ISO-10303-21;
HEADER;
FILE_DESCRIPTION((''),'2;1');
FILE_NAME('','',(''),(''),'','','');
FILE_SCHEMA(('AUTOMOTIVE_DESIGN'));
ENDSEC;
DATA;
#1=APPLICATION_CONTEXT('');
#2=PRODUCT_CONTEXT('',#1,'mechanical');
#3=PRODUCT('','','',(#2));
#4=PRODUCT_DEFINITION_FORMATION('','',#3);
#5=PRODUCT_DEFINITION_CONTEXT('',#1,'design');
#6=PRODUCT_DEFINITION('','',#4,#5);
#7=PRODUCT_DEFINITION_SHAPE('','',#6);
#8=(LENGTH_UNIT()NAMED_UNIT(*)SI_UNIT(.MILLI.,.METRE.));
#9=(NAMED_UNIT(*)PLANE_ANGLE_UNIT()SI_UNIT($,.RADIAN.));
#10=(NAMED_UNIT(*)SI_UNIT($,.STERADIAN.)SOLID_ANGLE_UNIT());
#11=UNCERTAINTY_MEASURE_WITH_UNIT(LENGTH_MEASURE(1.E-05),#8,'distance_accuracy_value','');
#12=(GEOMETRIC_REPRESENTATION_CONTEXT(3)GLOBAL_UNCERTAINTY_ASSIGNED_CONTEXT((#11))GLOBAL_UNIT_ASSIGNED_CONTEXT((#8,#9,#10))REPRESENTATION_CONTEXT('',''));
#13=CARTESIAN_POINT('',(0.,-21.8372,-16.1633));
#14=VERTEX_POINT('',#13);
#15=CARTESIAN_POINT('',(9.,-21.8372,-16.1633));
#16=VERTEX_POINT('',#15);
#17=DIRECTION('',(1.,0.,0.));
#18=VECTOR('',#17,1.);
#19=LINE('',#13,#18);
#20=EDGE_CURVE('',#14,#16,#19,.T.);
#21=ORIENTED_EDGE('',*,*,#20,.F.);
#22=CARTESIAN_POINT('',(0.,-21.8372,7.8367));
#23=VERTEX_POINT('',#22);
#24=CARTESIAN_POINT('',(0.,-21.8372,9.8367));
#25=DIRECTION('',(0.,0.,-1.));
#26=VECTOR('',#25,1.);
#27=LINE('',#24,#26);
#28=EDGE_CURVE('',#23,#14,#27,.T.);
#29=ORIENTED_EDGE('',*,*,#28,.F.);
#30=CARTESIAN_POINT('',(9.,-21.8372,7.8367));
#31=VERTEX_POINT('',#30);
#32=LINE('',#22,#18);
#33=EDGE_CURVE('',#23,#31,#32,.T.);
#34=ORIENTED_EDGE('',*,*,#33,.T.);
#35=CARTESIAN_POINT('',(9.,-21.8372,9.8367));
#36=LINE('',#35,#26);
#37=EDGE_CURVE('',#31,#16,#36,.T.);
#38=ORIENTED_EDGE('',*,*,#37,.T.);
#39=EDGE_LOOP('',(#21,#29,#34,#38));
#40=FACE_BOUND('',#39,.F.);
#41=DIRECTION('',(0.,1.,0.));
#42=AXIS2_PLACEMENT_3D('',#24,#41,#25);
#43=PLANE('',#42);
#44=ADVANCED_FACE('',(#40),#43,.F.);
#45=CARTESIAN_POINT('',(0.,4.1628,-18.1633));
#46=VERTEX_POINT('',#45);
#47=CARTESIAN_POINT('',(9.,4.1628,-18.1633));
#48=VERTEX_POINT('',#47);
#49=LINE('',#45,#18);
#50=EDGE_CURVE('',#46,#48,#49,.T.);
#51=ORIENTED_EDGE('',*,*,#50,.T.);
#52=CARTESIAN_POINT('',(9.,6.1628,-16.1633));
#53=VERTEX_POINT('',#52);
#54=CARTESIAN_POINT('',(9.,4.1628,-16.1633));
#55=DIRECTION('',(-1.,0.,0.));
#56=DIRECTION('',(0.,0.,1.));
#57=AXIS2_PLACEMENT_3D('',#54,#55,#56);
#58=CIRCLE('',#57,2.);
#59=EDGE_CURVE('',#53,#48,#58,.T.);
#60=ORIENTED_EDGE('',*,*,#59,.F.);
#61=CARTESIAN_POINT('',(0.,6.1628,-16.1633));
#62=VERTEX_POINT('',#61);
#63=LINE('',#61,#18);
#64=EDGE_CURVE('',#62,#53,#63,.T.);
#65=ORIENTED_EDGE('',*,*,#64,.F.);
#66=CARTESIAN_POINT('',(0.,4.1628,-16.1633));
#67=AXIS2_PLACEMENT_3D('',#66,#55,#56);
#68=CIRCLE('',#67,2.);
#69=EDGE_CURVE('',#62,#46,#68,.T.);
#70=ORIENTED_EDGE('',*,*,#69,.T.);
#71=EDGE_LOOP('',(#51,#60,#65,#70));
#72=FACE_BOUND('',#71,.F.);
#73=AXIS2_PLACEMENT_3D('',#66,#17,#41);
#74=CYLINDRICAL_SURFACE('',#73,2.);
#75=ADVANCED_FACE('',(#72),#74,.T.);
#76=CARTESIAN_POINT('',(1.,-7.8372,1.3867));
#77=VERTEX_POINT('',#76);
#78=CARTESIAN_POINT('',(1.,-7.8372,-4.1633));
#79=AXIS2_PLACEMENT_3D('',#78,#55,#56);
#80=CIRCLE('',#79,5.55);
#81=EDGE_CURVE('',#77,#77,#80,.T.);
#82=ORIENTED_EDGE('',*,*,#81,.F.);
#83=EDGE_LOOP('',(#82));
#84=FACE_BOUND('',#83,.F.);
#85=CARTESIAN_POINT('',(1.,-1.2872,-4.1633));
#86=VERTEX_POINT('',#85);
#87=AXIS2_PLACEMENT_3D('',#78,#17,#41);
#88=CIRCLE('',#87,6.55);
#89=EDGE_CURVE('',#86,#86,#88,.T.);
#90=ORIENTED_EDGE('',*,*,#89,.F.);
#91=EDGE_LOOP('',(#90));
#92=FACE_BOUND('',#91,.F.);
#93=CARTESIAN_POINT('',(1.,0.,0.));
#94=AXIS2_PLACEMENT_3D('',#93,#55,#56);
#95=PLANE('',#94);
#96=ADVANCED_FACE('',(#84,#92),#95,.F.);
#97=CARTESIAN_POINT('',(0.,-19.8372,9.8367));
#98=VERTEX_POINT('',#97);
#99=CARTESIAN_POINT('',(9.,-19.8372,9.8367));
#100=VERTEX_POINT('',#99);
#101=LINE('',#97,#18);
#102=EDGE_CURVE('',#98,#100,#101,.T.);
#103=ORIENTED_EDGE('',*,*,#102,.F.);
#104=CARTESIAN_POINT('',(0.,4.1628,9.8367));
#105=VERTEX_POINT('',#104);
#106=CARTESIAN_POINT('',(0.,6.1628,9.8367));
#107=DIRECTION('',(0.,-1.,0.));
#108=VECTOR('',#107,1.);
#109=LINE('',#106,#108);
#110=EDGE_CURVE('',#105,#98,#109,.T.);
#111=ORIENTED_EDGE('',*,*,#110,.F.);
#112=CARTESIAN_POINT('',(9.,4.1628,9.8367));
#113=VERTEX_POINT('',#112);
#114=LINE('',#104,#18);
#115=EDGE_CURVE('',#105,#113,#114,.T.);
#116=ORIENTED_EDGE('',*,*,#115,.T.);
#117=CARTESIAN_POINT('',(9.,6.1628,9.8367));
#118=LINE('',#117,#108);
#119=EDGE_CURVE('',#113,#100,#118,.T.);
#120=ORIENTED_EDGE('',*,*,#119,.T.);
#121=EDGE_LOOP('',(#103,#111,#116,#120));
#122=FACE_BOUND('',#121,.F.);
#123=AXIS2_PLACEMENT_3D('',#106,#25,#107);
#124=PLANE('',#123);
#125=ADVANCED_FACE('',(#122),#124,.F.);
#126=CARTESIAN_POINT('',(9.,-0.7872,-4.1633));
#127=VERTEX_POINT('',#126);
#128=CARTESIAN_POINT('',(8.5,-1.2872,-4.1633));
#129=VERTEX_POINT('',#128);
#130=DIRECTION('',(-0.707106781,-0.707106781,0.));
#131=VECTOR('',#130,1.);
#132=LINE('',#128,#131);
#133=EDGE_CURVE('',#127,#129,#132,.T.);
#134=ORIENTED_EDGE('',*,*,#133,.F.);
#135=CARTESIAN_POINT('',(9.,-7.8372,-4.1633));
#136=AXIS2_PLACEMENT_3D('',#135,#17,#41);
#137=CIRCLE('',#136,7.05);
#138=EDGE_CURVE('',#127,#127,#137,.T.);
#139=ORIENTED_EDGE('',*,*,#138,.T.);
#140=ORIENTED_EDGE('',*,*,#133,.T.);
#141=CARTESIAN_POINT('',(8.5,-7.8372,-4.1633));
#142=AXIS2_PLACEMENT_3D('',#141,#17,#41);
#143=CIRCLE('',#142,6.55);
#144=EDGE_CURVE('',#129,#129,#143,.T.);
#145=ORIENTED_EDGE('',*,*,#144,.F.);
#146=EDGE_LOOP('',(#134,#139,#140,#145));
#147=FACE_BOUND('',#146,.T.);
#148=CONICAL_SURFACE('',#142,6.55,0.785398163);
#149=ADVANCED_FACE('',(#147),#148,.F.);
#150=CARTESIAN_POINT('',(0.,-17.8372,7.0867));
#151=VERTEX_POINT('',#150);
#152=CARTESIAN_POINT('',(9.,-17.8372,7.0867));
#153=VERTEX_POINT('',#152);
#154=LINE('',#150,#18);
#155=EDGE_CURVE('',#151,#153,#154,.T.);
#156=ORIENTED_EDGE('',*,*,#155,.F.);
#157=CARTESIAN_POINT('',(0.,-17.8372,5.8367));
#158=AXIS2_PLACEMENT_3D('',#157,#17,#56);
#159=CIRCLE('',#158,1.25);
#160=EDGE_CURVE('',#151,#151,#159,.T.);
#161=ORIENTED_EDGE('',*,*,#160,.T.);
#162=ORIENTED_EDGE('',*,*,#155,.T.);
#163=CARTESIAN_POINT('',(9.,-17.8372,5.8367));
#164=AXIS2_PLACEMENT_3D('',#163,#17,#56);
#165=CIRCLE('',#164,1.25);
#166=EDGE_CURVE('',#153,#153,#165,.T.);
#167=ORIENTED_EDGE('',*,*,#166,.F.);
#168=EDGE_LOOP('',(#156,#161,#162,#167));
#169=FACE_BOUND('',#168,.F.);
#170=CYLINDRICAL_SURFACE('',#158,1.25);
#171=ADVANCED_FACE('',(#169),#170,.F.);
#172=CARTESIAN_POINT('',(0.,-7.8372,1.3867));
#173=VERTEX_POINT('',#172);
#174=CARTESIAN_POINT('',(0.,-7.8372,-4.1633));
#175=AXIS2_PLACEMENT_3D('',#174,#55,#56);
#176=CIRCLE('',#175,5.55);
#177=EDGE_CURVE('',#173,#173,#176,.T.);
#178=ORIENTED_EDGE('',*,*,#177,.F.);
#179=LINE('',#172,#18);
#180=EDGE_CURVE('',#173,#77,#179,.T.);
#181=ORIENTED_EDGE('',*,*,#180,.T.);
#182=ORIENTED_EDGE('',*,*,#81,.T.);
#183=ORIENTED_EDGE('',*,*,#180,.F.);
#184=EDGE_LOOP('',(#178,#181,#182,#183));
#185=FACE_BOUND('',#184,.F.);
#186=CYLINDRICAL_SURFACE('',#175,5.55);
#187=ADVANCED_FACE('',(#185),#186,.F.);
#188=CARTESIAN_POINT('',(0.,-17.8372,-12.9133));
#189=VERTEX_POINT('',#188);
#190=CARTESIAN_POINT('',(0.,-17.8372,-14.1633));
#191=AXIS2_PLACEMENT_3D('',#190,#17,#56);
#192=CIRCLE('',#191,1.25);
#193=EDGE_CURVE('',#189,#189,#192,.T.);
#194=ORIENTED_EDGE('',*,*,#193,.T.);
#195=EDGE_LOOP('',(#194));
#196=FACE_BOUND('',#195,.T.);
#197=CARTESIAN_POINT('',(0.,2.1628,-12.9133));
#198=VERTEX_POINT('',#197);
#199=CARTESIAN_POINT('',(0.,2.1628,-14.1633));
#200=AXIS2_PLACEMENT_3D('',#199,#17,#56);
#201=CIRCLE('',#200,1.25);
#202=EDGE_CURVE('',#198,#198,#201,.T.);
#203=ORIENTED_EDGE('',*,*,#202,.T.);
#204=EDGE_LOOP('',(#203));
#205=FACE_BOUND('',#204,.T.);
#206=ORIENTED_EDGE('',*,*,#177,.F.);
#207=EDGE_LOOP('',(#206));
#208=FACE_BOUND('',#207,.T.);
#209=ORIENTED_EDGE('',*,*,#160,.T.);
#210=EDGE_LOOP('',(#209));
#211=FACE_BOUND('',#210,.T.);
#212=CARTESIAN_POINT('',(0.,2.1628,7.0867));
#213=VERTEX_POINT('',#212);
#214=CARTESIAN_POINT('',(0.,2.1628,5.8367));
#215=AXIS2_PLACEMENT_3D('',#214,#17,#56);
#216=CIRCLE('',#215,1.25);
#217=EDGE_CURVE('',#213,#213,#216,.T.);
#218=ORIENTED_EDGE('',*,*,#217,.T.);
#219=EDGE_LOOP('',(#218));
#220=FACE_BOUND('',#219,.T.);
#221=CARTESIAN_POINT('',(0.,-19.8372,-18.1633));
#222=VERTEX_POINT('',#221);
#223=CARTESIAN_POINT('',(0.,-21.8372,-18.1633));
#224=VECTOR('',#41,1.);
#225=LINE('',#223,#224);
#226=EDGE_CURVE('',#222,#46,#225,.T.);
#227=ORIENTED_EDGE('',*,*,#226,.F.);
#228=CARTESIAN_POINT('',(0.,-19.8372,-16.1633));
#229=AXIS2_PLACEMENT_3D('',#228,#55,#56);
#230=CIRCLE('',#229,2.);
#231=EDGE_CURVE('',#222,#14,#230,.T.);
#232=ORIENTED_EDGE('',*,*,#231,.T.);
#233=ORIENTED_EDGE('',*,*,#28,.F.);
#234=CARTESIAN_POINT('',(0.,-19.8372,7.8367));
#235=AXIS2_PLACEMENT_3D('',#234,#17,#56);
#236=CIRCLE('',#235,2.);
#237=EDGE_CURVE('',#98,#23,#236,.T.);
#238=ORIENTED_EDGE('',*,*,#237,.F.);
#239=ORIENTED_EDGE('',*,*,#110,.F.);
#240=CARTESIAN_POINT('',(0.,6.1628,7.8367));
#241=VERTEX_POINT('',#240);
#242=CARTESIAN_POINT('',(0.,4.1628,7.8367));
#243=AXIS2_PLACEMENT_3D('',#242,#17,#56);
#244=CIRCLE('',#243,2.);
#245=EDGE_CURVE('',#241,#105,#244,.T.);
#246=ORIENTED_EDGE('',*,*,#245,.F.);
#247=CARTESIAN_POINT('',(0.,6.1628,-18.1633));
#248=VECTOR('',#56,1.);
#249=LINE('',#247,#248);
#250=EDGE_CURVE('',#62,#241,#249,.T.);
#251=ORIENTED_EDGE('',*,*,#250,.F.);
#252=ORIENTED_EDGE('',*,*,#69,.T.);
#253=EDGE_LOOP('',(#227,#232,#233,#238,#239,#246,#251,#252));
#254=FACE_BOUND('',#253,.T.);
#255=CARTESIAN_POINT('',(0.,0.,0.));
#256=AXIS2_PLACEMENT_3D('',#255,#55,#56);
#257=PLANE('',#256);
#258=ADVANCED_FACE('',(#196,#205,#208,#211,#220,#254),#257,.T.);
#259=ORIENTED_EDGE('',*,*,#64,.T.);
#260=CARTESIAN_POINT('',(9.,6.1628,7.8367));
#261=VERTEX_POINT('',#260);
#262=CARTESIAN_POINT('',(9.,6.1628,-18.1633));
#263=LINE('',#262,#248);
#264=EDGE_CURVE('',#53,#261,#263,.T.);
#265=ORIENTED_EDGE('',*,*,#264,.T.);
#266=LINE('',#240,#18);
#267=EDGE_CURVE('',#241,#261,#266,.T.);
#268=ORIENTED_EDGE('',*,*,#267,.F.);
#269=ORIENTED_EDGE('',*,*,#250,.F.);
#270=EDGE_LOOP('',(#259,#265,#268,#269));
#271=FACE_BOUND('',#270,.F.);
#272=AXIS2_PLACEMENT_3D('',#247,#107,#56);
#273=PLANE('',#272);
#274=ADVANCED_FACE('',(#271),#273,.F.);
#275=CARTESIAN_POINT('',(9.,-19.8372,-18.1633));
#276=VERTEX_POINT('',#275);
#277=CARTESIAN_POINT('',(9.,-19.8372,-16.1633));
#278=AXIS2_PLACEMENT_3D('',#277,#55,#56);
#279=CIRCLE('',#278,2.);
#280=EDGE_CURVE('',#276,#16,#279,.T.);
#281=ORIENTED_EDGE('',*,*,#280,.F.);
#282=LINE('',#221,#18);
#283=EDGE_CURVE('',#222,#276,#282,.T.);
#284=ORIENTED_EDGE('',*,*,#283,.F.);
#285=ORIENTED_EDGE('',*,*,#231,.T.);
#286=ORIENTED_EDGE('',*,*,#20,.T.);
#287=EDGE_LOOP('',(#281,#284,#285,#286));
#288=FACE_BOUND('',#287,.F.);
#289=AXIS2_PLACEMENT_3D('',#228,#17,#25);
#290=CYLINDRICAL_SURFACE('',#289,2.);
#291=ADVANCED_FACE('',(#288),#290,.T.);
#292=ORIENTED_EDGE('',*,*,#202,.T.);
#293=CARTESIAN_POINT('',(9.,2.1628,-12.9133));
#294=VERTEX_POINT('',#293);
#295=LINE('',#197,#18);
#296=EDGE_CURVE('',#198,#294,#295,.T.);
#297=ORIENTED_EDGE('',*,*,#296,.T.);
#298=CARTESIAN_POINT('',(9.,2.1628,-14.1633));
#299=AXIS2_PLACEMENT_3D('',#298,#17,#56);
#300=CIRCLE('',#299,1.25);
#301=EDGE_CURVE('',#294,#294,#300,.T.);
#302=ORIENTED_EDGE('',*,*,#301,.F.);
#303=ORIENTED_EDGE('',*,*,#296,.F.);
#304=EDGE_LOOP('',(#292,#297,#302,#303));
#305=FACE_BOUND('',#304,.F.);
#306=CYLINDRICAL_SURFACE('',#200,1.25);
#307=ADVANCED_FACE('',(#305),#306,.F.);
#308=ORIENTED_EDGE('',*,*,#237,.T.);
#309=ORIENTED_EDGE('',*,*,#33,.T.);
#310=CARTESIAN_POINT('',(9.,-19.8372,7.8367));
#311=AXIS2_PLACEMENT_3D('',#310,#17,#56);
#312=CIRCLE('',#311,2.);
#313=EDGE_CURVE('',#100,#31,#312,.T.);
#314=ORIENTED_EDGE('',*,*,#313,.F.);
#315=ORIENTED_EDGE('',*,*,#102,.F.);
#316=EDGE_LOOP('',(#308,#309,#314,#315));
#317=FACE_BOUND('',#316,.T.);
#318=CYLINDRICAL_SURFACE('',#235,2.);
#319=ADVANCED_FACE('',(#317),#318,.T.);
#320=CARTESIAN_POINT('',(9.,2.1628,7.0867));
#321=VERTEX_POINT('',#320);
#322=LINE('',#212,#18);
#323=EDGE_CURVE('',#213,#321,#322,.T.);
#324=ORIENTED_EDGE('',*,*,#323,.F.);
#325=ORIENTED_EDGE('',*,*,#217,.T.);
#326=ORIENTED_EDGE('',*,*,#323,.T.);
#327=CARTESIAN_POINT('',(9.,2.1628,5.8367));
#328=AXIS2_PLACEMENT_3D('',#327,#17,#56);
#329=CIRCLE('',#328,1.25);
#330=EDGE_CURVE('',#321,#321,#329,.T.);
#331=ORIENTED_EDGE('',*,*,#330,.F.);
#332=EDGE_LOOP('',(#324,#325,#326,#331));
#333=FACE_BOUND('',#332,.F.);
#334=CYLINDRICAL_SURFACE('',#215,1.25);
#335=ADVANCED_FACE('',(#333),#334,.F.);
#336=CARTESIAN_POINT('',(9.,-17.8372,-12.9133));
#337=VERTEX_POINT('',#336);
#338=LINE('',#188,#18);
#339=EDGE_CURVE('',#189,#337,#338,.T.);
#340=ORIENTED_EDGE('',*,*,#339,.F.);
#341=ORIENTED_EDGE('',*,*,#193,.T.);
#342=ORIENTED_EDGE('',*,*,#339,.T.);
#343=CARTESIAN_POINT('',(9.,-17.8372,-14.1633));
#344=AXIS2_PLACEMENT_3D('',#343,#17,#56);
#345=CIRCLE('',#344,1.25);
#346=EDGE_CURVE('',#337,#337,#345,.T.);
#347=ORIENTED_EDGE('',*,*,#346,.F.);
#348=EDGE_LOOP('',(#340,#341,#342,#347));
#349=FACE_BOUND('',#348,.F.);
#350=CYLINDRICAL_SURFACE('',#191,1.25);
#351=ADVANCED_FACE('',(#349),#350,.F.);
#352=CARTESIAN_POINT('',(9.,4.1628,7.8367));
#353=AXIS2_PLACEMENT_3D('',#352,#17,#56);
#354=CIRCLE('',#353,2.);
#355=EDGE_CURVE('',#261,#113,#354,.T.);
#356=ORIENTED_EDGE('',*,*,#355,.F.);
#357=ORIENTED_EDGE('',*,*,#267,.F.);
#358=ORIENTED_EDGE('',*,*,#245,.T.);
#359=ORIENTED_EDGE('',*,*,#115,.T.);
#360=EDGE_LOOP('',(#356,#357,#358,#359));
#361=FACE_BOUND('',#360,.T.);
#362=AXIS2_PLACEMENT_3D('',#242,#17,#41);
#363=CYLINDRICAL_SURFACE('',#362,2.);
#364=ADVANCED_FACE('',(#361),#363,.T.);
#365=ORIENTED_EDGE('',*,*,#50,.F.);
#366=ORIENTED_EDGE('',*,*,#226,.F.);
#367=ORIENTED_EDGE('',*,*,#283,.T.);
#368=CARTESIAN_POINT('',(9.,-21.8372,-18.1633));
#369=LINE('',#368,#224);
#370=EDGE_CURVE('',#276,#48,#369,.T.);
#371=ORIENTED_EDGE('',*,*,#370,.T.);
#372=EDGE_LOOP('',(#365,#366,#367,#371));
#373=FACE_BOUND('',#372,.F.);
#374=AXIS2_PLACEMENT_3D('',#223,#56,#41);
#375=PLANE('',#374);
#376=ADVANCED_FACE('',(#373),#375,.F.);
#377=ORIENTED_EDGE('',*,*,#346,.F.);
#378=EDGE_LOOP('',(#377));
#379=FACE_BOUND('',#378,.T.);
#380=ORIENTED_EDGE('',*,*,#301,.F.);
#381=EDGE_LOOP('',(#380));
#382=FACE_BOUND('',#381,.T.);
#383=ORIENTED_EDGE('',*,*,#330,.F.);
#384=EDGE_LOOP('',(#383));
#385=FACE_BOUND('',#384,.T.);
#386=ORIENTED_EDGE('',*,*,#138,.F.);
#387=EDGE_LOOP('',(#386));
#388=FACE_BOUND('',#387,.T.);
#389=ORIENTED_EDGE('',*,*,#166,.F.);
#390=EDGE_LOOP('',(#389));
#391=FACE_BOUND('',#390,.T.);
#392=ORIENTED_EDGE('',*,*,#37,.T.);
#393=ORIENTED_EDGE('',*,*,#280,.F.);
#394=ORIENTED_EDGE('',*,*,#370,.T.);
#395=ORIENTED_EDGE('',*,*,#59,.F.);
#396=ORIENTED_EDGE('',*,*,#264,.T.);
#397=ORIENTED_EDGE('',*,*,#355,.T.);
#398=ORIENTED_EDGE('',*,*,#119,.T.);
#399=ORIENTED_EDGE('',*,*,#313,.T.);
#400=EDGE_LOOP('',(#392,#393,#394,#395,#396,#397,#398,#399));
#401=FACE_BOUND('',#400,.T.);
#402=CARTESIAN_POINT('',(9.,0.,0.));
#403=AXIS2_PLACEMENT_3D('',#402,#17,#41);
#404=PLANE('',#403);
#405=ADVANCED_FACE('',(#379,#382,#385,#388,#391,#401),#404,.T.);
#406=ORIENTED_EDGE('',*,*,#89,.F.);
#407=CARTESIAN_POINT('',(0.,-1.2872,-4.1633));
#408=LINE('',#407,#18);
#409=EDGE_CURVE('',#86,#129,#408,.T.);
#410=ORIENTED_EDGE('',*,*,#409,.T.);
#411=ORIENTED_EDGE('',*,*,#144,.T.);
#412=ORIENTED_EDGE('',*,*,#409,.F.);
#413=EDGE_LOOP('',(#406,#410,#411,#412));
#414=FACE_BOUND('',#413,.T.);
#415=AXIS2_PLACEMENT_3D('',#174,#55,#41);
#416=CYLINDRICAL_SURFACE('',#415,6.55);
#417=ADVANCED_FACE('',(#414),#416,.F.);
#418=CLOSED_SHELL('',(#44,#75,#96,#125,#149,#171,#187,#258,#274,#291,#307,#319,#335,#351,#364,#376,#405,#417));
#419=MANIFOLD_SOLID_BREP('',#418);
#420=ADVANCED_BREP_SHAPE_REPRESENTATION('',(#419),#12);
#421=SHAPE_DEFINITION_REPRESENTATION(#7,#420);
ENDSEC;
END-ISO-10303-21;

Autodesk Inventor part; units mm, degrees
ref_plane "YZ Plane" through (0, 0, 0) normal (1, 0, 0) x (0, 1, 0)
ref_plane "XZ Plane" through (0, 0, 0) normal (0, 1, 0) x (-1, 0, 0)
ref_plane "XY Plane" through (0, 0, 0) normal (0, 0, 1) x (1, 0, 0)
sketch "Sketch1" plane through (0, 0, 0) normal (1, 0, 0) x (0, 1, 0)
  line L0 (6.1628, 9.8367) -> (-21.8372, 9.8367)
  line L1 (-21.8372, 9.8367) -> (-21.8372, -18.1633)
  line L2 (-21.8372, -18.1633) -> (6.1628, -18.1633)
  line L3 (6.1628, -18.1633) -> (6.1628, 9.8367)
  circle A0 centre (-7.8372, -4.1633) radius 6.55
  point P0 (0, 0)
  point P1 (2.1628, 5.8367)
  point P2 (-17.8372, 5.8367)
  point P3 (-17.8372, -14.1633)
  point P4 (2.1628, -14.1633)
  dimension "d0" = 28
  dimension "d1" = 28
  dimension "d2" = 20
  dimension "d3" = 20
  dimension "d4" = 4
  dimension "d5" = 4
  dimension "d6" = 14
  dimension "d7" = 14
  dimension "d8" = 13.1
extrude "Extrusion1" add sketch "Sketch1" along normal blind 9
hole "Hole1" at (0, 2.1628, 5.8367) at (0, -17.8372, 5.8367) at (0, -17.8372, -14.1633) at (0, 2.1628, -14.1633) direction (1, 0, 0) diameter 2.5 end through all
sketch "Sketch2" plane through (0, 0, 0) normal (-1, 0, 0) x (0, 0, 1)
  circle A0 centre (-14.1633, -17.8372) radius 1.25 projected
  circle A1 centre (5.8367, 2.1628) radius 1.25 projected
  circle A2 centre (5.8367, -17.8372) radius 1.25 projected
  circle A3 centre (-14.1633, 2.1628) radius 1.25 projected
  circle A4 centre (-4.1633, -7.8372) radius 6.55 projected
  line L0 (9.8367, 6.1628) -> (9.8367, -21.8372) projected
  line L1 (-18.1633, 6.1628) -> (9.8367, 6.1628) projected
  line L2 (-18.1633, -21.8372) -> (-18.1633, 6.1628) projected
  line L3 (9.8367, -21.8372) -> (-18.1633, -21.8372) projected
  circle A5 centre (-4.1633, -7.8372) radius 5.55
  point P0 (0, 0)
  dimension "d18" = 1
extrude "Extrusion2" add sketch "Sketch2" against normal blind 1 contours A4
fillet "Fillet1" radius 2 4 edges at (4.5, -21.8372, 9.8367) (4.5, 6.1628, 9.8367) (4.5, -21.8372, -18.1633) (4.5, 6.1628, -18.1633)
chamfer "Chamfer1" distance 0.5 angle 45 1 edges at (9, -14.3872, -4.1633)
properties part number "3DP_PLA_X_axis_idler_bearing_block" material "ABS Plastic"
